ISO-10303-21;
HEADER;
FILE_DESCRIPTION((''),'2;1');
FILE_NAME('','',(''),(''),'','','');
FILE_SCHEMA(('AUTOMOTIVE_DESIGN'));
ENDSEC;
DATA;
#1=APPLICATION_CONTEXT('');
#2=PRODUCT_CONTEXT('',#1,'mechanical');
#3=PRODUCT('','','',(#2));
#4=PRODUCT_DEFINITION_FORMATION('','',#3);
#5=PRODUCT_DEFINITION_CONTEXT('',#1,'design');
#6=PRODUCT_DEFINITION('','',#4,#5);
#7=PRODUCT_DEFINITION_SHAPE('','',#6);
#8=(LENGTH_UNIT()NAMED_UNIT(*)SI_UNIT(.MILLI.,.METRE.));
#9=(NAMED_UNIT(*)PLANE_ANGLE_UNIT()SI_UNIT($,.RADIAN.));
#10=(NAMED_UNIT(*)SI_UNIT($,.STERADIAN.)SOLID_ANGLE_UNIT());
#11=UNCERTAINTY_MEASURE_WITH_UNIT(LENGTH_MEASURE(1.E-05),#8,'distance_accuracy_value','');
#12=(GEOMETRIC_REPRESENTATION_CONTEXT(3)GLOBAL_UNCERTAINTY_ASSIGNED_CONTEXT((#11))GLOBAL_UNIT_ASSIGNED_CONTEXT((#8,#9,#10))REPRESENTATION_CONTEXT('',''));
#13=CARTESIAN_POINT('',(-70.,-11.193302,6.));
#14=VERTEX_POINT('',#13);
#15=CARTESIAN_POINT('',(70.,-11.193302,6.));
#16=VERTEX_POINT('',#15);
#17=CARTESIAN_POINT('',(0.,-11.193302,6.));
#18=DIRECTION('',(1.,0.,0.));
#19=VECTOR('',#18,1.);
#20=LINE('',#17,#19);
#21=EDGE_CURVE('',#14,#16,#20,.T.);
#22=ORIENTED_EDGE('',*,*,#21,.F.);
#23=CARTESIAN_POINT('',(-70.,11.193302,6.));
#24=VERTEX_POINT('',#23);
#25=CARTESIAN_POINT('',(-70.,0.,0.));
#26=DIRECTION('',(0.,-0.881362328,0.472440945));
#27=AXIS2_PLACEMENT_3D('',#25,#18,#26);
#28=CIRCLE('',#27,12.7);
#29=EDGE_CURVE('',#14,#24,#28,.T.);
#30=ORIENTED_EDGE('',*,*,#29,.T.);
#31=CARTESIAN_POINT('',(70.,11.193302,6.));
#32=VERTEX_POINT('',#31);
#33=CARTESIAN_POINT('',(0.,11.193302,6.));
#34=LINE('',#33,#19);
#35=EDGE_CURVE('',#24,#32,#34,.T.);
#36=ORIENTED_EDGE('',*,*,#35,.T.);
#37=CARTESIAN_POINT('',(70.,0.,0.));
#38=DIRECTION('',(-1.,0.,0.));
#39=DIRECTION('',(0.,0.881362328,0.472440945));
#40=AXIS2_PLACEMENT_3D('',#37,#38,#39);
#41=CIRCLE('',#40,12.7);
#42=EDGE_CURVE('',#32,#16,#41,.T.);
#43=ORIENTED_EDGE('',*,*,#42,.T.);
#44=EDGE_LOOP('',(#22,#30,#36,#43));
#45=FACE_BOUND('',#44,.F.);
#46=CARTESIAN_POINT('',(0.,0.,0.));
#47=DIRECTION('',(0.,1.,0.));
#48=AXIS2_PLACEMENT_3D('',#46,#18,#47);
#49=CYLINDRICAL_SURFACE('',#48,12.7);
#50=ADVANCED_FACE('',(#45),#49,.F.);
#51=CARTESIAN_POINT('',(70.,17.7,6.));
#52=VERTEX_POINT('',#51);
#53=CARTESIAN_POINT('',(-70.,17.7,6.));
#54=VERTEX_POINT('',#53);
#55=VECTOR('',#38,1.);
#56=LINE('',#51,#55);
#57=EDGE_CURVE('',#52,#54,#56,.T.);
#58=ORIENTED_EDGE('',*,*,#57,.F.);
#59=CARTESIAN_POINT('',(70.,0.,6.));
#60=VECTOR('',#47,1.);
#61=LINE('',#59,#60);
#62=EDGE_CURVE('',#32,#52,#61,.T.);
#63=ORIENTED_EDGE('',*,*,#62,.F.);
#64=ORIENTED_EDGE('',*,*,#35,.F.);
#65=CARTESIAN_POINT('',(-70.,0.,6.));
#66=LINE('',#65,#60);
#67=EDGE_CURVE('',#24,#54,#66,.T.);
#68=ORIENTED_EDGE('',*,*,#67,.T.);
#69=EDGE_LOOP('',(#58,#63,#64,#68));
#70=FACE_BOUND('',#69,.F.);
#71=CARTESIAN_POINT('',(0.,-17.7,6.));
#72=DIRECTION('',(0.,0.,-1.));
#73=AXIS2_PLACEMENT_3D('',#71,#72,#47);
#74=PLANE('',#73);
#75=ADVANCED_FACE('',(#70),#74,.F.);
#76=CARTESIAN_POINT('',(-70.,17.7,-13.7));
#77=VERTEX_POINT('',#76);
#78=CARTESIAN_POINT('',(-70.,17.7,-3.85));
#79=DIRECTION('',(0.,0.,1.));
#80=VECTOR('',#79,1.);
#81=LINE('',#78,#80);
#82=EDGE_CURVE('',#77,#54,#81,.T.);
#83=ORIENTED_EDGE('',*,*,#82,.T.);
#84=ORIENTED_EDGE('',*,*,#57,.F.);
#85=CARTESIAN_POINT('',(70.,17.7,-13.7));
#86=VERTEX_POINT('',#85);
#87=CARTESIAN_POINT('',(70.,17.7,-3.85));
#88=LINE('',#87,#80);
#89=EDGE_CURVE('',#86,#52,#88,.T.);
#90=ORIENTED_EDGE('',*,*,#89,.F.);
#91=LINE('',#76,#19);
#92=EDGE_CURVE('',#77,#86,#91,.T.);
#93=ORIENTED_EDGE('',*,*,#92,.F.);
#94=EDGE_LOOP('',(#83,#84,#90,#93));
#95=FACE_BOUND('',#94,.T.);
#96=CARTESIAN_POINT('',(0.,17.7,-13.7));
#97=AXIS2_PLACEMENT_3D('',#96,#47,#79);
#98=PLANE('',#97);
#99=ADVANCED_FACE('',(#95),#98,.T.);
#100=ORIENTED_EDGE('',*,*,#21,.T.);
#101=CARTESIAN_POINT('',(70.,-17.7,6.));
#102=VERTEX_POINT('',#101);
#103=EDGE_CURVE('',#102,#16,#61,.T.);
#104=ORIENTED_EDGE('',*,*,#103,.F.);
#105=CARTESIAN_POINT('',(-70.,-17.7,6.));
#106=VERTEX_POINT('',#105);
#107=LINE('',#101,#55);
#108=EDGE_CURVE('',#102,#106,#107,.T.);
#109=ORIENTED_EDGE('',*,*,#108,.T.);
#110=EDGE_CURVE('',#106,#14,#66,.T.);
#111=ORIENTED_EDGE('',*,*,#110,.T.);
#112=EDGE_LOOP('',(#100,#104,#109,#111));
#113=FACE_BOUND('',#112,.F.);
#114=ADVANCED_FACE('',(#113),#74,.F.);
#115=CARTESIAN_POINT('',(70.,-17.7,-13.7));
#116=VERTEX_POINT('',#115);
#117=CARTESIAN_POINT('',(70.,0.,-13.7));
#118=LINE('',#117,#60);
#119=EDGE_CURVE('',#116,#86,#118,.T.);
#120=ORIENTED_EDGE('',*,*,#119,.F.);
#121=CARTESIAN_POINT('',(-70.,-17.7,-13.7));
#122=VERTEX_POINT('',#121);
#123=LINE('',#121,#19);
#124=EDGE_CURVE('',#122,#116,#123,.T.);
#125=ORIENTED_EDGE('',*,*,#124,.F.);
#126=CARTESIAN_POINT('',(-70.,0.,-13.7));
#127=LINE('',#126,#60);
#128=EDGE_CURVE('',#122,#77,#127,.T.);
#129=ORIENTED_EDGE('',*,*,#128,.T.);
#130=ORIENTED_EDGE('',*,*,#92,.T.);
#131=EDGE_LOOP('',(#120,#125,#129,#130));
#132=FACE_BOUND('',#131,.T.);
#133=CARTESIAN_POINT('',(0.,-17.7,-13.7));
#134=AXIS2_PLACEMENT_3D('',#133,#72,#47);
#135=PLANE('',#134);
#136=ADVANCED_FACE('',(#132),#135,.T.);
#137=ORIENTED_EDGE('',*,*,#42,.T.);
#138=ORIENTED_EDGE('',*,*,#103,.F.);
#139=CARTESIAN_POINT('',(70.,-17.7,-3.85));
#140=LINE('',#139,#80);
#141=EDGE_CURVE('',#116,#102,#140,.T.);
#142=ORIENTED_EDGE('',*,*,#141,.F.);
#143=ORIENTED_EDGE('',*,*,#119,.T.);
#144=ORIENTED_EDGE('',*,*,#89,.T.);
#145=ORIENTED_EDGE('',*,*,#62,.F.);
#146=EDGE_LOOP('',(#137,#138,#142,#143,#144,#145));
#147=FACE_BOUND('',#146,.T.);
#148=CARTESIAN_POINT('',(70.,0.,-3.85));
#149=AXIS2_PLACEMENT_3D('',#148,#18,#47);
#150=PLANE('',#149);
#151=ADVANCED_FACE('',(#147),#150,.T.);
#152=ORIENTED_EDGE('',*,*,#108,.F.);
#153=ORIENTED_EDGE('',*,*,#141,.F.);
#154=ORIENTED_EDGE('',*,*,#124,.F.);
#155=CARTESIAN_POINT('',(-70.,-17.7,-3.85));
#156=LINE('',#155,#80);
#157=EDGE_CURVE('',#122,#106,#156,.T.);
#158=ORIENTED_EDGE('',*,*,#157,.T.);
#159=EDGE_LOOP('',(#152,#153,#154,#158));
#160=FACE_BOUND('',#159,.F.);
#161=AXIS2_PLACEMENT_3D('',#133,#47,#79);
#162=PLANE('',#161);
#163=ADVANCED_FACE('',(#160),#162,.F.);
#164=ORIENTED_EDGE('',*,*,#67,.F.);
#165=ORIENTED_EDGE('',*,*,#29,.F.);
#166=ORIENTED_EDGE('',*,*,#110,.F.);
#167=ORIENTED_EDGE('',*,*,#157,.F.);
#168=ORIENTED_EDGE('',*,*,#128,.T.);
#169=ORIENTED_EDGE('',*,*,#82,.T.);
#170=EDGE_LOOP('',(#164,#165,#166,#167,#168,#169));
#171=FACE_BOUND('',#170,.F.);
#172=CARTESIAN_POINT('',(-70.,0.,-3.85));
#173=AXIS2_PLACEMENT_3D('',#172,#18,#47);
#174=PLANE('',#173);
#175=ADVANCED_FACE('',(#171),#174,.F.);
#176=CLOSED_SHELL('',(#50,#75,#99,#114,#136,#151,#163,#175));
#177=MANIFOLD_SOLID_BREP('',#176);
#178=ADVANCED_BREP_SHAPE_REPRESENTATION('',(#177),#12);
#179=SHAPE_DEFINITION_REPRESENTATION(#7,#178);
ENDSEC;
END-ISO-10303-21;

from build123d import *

# Parameters (mm, degrees)
F1_R          = 12.7
F2_DEPTH      = 70
F2_DEPTH_BACK = 70
F3_W          = 35.4
F3_H          = 19.7
F4_DEPTH      = 70
F4_DEPTH_BACK = 70


with BuildPart() as f2:
    # F1 (on Right) → F2 (new body, two sides)
    with BuildSketch(Plane.YZ) as f2_sk:
        Circle(F1_R)
    extrude(amount=F2_DEPTH)
    extrude(f2_sk.sketch, amount=-F2_DEPTH_BACK)


with BuildPart() as f4:
    # F3 (on Right) → F4 (new body, two sides)
    with BuildSketch(Plane.YZ) as f4_sk:
        with Locations((0, -3.85)):
            Rectangle(F3_W, F3_H)
    extrude(amount=F4_DEPTH)
    extrude(f4_sk.sketch, amount=-F4_DEPTH_BACK)

    # F5: cut F2
    add(f2.part, mode=Mode.SUBTRACT)


solid = f4.part
